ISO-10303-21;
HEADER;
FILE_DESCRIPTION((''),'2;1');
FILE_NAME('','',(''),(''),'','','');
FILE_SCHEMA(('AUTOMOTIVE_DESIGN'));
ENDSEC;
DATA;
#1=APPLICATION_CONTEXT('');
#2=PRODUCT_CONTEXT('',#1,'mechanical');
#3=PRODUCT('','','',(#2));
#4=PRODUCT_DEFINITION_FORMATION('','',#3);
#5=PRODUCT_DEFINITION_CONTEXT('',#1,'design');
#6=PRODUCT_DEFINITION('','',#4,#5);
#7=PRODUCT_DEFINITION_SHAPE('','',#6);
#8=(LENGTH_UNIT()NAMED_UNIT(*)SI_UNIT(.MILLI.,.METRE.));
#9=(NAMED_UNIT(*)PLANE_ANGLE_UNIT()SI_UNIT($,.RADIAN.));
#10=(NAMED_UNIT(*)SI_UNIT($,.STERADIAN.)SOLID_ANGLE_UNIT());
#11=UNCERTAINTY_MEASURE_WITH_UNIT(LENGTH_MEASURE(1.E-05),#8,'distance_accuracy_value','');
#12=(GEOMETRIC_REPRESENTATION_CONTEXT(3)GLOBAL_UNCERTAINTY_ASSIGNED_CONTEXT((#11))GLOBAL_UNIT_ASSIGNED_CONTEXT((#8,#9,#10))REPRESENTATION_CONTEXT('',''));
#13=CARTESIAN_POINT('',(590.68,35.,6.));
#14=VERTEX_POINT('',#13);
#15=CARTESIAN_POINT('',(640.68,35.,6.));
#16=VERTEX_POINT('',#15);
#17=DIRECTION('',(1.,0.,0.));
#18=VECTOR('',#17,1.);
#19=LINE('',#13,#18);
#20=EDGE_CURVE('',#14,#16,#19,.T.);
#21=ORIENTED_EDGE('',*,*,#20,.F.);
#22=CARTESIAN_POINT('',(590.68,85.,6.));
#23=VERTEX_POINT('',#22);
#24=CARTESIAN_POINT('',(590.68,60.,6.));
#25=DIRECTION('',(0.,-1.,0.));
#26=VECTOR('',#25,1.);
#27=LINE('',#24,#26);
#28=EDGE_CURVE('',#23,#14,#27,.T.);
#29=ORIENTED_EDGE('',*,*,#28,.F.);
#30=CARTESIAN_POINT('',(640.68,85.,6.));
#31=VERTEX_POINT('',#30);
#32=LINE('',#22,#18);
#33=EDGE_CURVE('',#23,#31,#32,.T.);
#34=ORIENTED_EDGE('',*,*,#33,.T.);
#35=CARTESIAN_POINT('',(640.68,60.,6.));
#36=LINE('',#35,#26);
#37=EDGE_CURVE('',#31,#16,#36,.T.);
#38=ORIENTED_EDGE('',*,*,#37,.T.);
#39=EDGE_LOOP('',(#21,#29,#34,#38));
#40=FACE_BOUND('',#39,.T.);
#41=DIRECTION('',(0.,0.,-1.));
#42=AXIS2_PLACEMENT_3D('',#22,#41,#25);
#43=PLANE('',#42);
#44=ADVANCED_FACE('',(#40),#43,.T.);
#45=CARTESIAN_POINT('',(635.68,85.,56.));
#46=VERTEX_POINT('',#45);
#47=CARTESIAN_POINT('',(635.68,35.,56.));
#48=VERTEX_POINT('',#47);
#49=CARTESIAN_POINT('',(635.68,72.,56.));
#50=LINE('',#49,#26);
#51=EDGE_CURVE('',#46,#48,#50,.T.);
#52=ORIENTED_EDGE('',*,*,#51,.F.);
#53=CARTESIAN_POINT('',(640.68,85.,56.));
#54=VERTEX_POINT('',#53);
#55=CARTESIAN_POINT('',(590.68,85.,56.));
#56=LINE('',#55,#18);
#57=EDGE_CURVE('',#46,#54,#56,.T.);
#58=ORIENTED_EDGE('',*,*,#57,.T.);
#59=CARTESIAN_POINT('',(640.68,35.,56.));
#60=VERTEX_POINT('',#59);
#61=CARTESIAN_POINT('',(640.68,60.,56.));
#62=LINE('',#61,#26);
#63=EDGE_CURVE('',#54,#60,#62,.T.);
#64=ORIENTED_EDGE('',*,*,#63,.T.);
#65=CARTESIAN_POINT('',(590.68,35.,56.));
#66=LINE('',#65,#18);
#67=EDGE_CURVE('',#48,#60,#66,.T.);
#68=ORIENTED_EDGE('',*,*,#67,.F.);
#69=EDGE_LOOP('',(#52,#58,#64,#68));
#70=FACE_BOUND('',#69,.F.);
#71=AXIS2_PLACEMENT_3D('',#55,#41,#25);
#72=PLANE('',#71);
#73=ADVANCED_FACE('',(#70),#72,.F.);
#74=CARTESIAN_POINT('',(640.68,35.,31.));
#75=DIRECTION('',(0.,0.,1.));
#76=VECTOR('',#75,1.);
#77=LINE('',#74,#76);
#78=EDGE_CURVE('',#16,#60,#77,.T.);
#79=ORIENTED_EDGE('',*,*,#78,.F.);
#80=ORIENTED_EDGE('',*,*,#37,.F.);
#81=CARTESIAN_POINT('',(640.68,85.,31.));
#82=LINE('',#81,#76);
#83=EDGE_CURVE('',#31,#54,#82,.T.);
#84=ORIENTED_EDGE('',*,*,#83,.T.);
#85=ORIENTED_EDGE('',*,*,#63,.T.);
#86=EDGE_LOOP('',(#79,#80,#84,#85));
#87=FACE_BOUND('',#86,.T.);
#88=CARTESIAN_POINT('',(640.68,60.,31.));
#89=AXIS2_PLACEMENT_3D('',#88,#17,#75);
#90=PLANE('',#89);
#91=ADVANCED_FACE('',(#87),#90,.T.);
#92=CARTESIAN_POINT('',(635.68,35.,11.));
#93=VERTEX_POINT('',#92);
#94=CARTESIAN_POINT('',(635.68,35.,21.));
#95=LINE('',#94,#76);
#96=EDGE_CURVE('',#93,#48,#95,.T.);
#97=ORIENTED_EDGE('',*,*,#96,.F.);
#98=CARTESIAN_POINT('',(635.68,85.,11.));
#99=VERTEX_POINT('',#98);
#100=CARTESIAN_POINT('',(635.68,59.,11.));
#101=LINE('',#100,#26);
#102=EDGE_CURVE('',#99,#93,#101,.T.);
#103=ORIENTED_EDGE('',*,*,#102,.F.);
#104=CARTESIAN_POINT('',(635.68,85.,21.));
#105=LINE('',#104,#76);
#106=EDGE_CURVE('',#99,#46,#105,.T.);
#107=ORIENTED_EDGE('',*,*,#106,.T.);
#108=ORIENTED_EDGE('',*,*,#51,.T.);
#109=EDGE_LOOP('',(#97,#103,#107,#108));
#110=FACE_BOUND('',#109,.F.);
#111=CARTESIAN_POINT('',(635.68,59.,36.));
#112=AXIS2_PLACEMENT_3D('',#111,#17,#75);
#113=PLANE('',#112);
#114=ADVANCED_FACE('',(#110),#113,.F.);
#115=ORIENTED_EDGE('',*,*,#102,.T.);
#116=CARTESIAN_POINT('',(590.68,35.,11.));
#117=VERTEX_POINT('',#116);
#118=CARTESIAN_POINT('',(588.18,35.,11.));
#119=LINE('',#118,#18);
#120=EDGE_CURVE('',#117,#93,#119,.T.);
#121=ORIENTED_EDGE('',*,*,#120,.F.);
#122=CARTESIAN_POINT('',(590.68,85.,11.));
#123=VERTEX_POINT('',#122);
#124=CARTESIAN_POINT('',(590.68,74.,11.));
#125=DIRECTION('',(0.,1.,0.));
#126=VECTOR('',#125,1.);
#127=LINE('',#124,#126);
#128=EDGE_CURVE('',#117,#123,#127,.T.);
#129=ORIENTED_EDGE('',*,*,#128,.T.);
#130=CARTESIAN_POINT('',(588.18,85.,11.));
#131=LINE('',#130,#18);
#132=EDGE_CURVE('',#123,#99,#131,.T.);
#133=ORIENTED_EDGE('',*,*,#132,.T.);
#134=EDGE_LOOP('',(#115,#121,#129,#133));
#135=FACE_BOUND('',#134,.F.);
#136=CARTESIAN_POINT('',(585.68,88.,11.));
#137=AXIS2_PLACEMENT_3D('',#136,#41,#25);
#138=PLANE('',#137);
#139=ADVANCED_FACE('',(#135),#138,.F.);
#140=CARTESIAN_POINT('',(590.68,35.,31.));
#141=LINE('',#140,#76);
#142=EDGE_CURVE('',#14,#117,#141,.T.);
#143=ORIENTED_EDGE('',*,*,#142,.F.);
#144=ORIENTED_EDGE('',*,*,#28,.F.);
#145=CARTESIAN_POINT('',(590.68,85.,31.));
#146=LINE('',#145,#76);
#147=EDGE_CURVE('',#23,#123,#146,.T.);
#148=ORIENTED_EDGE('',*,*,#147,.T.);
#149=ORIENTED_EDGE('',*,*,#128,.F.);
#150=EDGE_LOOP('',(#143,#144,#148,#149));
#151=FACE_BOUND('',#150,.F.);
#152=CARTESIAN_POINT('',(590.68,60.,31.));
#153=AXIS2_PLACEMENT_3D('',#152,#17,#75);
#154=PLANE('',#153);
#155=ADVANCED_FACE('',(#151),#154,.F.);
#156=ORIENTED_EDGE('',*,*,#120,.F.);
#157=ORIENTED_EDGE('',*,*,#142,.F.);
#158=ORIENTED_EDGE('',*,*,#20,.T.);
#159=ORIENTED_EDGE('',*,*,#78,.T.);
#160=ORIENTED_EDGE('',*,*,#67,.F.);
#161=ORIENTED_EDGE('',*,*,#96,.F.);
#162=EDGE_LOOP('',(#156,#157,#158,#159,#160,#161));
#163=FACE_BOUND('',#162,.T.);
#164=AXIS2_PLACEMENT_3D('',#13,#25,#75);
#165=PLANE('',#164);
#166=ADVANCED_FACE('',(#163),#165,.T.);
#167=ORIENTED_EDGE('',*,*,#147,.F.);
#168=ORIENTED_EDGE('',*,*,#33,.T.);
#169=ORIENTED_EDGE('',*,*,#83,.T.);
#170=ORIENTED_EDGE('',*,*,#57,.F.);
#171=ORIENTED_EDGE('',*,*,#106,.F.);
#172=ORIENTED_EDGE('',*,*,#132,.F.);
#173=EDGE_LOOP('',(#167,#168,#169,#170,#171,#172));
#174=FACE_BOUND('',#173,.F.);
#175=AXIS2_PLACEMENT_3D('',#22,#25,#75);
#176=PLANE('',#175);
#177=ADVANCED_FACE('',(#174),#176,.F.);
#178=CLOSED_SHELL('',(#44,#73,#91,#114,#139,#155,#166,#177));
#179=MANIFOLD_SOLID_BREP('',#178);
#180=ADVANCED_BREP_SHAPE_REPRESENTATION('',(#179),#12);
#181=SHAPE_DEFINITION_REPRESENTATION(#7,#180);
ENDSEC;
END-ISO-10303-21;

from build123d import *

# Parameters (mm, degrees)
BOX007_W                  = 50
BOX007_H                  = 58
BOX007_DEPTH              = 50
BOX006_W                  = 50
BOX006_H                  = 50
BOX006_DEPTH              = 50
CUT002009_PITCH_ANGLE     = -90
CUT002009_PLACEMENT_ANGLE = -180


with BuildPart() as cube002:
    # Box007 → Box007 (new body)
    with BuildSketch(Plane(origin=(5, -3, -5), x_dir=(1, 0, 0), z_dir=(0, 0, 1))):
        with Locations((25, 29)):
            Rectangle(BOX007_W, BOX007_H)
    extrude(amount=BOX007_DEPTH)


with BuildPart() as cut002009:
    # Box006 → Box006 (new body)
    with BuildSketch(Plane.XY):
        with Locations((25, 25)):
            Rectangle(BOX006_W, BOX006_H)
    extrude(amount=BOX006_DEPTH)

    # Cut002009: cut Cube002
    add(cube002.part, mode=Mode.SUBTRACT)


with BuildPart() as cut002009_1:
    # Cut002009 pitch: moved
    add(cut002009.part.rotate(Axis((0, 0, 0), (0, 1, 0)), CUT002009_PITCH_ANGLE))


with BuildPart() as cut002009_2:
    # Cut002009 placement: moved
    add(cut002009_1.part.moved(Location((590.68, 85, 6))).rotate(Axis((590.68, 85, 6), (0, 0, 1)), CUT002009_PLACEMENT_ANGLE))


solid = cut002009_2.part
